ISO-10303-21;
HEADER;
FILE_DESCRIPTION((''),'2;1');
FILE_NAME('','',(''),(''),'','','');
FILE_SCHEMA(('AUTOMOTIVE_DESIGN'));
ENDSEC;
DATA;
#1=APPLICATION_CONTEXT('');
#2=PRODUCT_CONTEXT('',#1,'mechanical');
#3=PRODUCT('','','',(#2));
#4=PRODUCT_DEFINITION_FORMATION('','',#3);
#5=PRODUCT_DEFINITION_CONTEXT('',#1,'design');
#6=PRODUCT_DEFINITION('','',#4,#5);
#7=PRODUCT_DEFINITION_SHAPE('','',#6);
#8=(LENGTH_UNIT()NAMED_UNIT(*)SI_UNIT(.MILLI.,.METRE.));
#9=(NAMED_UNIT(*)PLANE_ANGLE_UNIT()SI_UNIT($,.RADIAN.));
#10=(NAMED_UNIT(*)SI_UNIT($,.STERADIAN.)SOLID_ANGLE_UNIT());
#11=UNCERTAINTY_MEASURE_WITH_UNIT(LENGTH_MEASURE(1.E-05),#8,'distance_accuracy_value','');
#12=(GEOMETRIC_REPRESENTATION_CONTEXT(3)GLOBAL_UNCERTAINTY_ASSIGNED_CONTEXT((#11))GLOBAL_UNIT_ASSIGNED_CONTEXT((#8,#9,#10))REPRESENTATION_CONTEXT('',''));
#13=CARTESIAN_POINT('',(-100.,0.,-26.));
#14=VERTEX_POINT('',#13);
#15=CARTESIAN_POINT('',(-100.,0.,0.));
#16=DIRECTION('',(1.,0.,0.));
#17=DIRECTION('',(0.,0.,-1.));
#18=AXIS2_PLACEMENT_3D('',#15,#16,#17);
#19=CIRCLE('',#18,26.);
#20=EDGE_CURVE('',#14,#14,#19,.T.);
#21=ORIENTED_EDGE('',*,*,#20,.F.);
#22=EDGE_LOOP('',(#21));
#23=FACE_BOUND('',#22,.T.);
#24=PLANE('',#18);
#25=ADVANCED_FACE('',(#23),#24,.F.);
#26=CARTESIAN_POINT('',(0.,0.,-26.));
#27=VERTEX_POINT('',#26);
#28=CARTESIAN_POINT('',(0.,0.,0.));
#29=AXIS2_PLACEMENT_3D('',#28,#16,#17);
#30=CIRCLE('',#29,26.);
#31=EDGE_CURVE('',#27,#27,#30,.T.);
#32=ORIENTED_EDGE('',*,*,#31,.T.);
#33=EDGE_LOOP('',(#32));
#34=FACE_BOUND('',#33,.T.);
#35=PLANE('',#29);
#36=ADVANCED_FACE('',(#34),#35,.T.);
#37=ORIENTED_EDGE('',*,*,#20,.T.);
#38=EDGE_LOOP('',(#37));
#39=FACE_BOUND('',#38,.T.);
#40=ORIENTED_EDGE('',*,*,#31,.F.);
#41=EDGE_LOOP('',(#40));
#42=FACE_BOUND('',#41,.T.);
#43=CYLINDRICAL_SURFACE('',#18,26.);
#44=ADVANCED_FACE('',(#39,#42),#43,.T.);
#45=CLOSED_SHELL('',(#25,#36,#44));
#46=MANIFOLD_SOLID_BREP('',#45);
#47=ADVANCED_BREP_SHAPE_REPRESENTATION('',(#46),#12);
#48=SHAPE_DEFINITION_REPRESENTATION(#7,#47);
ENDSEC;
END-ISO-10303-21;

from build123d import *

# Parameters (mm, degrees)
SKICA1_R                = 26
P_IDAT_VYSUNUT_M1_DEPTH = 100


with BuildPart() as part:
    # Skica1 → Přidat vysunutím1 (new body)
    with BuildSketch(Plane(origin=(0, 0, 0), x_dir=(0, 0, -1), z_dir=(1, 0, 0))):
        Circle(SKICA1_R)
    extrude(amount=-P_IDAT_VYSUNUT_M1_DEPTH)


solid = part.part
